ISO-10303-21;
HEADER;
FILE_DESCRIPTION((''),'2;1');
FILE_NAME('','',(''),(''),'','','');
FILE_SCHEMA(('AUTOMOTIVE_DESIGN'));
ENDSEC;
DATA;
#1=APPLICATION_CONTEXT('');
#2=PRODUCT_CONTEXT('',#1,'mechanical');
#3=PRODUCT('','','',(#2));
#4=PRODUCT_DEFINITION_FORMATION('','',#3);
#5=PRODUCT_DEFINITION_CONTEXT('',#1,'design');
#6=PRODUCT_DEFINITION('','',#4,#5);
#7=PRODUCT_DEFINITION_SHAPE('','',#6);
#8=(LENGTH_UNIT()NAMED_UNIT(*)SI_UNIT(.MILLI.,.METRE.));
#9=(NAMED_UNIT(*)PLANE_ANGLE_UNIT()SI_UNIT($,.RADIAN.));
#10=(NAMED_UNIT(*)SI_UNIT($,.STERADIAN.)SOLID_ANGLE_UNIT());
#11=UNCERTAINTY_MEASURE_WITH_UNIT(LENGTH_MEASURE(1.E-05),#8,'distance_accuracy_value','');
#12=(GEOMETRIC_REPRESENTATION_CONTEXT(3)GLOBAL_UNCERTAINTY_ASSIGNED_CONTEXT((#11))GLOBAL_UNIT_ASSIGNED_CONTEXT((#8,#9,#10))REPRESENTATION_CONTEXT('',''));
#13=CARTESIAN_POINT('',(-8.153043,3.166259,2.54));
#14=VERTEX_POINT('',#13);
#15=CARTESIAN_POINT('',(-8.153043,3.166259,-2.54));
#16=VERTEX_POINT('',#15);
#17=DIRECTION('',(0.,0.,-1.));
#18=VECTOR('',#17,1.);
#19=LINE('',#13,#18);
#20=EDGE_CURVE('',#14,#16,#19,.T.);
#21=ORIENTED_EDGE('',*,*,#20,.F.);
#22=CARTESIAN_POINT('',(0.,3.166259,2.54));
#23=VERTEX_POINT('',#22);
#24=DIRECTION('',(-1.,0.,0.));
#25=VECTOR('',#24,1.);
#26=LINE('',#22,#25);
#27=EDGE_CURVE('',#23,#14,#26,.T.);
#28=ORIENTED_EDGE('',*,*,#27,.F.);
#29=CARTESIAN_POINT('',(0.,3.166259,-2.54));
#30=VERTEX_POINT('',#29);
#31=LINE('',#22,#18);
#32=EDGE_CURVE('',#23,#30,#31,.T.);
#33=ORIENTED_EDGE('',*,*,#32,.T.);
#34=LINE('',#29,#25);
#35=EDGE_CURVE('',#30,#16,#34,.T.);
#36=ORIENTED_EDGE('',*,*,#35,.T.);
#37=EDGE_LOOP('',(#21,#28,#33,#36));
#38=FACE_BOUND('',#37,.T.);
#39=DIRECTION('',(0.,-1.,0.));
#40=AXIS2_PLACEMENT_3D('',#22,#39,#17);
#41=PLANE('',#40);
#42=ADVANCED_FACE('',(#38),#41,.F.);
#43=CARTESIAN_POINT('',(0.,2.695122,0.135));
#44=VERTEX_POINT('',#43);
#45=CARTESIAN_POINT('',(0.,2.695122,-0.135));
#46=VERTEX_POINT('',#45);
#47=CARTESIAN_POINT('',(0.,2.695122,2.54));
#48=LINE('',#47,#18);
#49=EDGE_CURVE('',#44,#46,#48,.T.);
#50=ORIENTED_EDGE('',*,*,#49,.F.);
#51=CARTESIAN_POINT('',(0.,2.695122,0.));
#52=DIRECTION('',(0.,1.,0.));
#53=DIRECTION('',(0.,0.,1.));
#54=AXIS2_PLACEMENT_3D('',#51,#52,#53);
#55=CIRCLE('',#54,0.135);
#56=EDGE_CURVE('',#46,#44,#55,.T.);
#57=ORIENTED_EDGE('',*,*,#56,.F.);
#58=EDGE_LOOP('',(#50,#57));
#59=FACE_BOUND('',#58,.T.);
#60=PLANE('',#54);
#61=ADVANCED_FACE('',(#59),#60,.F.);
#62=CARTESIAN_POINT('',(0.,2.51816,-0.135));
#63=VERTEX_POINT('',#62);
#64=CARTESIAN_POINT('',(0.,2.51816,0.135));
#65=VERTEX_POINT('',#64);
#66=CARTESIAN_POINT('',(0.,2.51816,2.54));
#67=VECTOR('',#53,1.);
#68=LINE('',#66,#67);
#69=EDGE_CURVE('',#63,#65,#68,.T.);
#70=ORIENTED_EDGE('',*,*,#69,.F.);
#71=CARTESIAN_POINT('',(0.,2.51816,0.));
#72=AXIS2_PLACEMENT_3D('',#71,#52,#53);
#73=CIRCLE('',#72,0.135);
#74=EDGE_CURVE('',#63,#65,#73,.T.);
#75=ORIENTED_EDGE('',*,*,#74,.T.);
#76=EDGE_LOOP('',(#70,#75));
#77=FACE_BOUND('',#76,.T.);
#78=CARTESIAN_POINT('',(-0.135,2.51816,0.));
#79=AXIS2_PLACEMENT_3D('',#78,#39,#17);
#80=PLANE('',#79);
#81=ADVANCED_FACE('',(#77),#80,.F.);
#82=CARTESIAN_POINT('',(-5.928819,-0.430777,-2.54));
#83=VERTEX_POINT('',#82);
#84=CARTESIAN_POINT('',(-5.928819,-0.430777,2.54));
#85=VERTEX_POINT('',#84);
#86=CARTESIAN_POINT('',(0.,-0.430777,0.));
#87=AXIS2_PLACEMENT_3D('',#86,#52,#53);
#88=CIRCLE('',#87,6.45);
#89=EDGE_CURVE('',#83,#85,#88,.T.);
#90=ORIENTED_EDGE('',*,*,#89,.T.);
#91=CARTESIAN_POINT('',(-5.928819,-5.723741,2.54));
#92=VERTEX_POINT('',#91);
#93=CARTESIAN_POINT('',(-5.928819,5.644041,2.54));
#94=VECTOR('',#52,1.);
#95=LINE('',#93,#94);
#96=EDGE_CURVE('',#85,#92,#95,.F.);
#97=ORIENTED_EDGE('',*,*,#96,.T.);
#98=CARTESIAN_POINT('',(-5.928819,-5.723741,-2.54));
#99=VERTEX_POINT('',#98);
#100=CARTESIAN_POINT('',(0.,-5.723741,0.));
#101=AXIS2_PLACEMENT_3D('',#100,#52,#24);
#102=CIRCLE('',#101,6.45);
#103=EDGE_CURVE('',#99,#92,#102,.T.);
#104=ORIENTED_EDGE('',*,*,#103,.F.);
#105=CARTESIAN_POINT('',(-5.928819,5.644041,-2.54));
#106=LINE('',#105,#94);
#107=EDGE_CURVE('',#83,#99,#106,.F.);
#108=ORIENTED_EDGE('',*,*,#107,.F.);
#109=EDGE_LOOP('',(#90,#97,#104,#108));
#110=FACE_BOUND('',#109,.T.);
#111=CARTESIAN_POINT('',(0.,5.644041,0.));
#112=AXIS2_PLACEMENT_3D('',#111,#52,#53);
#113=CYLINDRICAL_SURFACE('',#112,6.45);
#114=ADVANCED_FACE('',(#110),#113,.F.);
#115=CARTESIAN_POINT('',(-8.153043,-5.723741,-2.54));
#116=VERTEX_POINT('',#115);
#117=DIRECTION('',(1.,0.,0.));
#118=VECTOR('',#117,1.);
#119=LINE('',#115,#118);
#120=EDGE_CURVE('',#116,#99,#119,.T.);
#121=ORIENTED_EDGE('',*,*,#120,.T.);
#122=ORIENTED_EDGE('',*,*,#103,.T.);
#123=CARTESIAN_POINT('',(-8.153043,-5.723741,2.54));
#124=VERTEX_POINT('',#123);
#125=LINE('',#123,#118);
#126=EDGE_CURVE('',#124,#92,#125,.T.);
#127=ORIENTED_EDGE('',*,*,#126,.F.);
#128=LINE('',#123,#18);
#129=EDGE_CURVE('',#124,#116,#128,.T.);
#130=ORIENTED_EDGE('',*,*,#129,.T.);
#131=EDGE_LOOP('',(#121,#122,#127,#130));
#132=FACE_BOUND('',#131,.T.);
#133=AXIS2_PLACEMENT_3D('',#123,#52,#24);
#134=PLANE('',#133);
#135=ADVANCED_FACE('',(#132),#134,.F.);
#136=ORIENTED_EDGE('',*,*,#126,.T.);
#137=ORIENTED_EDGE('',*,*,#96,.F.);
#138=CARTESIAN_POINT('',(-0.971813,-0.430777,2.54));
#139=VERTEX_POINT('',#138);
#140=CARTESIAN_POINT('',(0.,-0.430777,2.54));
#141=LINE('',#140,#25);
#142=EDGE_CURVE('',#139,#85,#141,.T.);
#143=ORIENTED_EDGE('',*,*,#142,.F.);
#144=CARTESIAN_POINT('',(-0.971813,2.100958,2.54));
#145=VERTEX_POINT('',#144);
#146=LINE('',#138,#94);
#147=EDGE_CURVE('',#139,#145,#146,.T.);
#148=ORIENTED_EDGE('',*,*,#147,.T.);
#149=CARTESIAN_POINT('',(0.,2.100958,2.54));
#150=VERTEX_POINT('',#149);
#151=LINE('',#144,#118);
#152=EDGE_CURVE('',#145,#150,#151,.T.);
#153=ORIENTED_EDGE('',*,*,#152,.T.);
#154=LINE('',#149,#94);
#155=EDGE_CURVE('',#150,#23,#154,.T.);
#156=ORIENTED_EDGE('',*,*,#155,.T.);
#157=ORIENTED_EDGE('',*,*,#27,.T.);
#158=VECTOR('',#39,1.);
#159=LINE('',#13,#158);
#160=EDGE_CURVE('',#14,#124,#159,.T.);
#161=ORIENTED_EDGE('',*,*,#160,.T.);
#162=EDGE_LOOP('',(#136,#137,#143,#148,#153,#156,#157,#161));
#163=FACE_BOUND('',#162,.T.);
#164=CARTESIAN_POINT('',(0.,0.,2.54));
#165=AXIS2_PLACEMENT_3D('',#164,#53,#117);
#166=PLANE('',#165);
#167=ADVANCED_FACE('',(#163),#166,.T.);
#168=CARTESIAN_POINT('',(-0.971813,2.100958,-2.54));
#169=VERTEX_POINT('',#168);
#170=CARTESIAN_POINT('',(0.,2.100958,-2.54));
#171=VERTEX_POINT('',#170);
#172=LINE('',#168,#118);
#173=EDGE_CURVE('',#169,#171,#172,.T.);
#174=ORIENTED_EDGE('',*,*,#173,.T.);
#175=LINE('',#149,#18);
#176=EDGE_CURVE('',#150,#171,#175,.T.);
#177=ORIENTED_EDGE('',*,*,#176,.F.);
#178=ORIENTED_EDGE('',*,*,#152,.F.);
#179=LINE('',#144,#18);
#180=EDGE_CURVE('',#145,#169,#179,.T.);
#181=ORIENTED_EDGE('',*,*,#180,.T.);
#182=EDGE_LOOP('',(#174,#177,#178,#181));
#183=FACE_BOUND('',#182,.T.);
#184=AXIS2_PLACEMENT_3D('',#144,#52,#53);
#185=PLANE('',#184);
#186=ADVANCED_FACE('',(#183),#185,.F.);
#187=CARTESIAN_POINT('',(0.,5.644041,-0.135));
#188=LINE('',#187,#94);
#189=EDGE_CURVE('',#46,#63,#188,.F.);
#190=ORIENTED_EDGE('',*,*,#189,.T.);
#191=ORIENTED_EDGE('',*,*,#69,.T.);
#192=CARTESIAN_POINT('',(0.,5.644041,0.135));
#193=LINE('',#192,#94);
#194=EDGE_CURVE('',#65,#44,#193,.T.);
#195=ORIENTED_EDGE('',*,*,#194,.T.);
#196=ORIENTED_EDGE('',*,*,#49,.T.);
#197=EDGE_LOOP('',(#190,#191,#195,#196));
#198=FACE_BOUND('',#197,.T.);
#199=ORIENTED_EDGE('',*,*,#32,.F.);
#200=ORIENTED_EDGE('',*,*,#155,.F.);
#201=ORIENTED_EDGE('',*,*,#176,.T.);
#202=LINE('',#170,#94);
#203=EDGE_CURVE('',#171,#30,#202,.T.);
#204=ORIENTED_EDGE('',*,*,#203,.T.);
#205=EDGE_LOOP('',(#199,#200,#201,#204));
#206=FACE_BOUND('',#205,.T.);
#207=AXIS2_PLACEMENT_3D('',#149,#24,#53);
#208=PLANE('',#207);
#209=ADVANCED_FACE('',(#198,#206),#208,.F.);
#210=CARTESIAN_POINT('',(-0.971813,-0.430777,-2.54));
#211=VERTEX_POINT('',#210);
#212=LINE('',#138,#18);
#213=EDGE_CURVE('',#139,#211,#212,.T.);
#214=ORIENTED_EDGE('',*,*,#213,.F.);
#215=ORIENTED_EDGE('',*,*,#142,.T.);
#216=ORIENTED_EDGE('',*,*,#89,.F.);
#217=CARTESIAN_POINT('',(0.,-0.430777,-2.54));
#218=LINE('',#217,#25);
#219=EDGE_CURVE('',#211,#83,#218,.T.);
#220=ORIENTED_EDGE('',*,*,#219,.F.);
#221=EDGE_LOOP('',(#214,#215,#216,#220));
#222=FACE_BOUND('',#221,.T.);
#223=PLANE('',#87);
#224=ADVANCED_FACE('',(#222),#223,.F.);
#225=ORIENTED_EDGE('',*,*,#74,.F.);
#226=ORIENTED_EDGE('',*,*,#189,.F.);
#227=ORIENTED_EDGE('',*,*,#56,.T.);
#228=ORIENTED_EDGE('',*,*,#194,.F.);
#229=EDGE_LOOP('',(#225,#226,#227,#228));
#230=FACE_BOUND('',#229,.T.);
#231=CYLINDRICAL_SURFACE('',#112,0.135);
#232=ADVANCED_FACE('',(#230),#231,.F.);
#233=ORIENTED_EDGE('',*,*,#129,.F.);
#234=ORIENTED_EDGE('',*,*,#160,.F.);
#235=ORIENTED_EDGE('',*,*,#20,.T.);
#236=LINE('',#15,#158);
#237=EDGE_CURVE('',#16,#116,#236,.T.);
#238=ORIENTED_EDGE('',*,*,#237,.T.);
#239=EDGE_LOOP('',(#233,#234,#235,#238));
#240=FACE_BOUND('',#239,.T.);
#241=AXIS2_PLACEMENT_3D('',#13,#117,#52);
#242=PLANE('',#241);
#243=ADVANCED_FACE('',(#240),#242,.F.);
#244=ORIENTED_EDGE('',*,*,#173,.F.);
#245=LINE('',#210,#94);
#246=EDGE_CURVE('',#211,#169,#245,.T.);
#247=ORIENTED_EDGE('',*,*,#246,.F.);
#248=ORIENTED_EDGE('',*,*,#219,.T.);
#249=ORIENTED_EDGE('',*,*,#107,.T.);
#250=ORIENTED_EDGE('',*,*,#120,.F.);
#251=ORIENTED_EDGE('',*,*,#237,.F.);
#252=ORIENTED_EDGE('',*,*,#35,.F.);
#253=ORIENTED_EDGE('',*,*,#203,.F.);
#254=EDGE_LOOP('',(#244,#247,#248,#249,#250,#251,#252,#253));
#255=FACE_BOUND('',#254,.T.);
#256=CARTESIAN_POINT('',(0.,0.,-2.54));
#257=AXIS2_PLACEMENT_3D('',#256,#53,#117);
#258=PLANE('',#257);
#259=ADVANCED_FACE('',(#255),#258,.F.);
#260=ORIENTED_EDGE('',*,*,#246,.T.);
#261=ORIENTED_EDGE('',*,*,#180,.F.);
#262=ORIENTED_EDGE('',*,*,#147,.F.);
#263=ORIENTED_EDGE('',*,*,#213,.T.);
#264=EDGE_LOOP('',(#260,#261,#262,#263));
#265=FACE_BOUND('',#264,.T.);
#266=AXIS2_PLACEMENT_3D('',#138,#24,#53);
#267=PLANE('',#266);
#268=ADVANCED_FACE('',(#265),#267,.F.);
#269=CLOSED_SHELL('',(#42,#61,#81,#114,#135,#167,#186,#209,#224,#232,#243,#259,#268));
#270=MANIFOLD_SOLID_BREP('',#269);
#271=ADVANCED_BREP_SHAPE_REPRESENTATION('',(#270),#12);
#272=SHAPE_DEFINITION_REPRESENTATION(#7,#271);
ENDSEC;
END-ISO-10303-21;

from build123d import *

# Parameters (mm, degrees)
BOSS_EXTRUDE1_DEPTH = 2.54
SKETCH4_W           = 0.135
SKETCH4_H           = 0.17696191
SKETCH4_W_2         = 6.45
SKETCH4_H_2         = 5.360645495


with BuildPart() as part:
    # Sketch2 → Boss-Extrude1 (new, symmetric)
    with BuildSketch(Plane.XY):
        Polygon((0, 3.166258563), (-8.153042882, 3.166258563), (-8.153042882, -5.723741437), (0, -5.723741437), (0, -0.430777301), (-0.971812772, -0.430777301), (-0.971812772, 2.100957578), (0, 2.100957578), align=None)
    extrude(amount=BOSS_EXTRUDE1_DEPTH, both=True)

    # Sketch4 → Cut-Revolve2 (revolve, cut)
    with BuildSketch(Plane.XY):
        with Locations((-0.0675, 2.60664071)):
            Rectangle(SKETCH4_W, SKETCH4_H)
        with Locations((-3.225, -3.111100048)):
            Rectangle(SKETCH4_W_2, SKETCH4_H_2)
    revolve(axis=Axis((0, 5.644041385, 0), (0, -1, 0)), mode=Mode.SUBTRACT)


solid = part.part
